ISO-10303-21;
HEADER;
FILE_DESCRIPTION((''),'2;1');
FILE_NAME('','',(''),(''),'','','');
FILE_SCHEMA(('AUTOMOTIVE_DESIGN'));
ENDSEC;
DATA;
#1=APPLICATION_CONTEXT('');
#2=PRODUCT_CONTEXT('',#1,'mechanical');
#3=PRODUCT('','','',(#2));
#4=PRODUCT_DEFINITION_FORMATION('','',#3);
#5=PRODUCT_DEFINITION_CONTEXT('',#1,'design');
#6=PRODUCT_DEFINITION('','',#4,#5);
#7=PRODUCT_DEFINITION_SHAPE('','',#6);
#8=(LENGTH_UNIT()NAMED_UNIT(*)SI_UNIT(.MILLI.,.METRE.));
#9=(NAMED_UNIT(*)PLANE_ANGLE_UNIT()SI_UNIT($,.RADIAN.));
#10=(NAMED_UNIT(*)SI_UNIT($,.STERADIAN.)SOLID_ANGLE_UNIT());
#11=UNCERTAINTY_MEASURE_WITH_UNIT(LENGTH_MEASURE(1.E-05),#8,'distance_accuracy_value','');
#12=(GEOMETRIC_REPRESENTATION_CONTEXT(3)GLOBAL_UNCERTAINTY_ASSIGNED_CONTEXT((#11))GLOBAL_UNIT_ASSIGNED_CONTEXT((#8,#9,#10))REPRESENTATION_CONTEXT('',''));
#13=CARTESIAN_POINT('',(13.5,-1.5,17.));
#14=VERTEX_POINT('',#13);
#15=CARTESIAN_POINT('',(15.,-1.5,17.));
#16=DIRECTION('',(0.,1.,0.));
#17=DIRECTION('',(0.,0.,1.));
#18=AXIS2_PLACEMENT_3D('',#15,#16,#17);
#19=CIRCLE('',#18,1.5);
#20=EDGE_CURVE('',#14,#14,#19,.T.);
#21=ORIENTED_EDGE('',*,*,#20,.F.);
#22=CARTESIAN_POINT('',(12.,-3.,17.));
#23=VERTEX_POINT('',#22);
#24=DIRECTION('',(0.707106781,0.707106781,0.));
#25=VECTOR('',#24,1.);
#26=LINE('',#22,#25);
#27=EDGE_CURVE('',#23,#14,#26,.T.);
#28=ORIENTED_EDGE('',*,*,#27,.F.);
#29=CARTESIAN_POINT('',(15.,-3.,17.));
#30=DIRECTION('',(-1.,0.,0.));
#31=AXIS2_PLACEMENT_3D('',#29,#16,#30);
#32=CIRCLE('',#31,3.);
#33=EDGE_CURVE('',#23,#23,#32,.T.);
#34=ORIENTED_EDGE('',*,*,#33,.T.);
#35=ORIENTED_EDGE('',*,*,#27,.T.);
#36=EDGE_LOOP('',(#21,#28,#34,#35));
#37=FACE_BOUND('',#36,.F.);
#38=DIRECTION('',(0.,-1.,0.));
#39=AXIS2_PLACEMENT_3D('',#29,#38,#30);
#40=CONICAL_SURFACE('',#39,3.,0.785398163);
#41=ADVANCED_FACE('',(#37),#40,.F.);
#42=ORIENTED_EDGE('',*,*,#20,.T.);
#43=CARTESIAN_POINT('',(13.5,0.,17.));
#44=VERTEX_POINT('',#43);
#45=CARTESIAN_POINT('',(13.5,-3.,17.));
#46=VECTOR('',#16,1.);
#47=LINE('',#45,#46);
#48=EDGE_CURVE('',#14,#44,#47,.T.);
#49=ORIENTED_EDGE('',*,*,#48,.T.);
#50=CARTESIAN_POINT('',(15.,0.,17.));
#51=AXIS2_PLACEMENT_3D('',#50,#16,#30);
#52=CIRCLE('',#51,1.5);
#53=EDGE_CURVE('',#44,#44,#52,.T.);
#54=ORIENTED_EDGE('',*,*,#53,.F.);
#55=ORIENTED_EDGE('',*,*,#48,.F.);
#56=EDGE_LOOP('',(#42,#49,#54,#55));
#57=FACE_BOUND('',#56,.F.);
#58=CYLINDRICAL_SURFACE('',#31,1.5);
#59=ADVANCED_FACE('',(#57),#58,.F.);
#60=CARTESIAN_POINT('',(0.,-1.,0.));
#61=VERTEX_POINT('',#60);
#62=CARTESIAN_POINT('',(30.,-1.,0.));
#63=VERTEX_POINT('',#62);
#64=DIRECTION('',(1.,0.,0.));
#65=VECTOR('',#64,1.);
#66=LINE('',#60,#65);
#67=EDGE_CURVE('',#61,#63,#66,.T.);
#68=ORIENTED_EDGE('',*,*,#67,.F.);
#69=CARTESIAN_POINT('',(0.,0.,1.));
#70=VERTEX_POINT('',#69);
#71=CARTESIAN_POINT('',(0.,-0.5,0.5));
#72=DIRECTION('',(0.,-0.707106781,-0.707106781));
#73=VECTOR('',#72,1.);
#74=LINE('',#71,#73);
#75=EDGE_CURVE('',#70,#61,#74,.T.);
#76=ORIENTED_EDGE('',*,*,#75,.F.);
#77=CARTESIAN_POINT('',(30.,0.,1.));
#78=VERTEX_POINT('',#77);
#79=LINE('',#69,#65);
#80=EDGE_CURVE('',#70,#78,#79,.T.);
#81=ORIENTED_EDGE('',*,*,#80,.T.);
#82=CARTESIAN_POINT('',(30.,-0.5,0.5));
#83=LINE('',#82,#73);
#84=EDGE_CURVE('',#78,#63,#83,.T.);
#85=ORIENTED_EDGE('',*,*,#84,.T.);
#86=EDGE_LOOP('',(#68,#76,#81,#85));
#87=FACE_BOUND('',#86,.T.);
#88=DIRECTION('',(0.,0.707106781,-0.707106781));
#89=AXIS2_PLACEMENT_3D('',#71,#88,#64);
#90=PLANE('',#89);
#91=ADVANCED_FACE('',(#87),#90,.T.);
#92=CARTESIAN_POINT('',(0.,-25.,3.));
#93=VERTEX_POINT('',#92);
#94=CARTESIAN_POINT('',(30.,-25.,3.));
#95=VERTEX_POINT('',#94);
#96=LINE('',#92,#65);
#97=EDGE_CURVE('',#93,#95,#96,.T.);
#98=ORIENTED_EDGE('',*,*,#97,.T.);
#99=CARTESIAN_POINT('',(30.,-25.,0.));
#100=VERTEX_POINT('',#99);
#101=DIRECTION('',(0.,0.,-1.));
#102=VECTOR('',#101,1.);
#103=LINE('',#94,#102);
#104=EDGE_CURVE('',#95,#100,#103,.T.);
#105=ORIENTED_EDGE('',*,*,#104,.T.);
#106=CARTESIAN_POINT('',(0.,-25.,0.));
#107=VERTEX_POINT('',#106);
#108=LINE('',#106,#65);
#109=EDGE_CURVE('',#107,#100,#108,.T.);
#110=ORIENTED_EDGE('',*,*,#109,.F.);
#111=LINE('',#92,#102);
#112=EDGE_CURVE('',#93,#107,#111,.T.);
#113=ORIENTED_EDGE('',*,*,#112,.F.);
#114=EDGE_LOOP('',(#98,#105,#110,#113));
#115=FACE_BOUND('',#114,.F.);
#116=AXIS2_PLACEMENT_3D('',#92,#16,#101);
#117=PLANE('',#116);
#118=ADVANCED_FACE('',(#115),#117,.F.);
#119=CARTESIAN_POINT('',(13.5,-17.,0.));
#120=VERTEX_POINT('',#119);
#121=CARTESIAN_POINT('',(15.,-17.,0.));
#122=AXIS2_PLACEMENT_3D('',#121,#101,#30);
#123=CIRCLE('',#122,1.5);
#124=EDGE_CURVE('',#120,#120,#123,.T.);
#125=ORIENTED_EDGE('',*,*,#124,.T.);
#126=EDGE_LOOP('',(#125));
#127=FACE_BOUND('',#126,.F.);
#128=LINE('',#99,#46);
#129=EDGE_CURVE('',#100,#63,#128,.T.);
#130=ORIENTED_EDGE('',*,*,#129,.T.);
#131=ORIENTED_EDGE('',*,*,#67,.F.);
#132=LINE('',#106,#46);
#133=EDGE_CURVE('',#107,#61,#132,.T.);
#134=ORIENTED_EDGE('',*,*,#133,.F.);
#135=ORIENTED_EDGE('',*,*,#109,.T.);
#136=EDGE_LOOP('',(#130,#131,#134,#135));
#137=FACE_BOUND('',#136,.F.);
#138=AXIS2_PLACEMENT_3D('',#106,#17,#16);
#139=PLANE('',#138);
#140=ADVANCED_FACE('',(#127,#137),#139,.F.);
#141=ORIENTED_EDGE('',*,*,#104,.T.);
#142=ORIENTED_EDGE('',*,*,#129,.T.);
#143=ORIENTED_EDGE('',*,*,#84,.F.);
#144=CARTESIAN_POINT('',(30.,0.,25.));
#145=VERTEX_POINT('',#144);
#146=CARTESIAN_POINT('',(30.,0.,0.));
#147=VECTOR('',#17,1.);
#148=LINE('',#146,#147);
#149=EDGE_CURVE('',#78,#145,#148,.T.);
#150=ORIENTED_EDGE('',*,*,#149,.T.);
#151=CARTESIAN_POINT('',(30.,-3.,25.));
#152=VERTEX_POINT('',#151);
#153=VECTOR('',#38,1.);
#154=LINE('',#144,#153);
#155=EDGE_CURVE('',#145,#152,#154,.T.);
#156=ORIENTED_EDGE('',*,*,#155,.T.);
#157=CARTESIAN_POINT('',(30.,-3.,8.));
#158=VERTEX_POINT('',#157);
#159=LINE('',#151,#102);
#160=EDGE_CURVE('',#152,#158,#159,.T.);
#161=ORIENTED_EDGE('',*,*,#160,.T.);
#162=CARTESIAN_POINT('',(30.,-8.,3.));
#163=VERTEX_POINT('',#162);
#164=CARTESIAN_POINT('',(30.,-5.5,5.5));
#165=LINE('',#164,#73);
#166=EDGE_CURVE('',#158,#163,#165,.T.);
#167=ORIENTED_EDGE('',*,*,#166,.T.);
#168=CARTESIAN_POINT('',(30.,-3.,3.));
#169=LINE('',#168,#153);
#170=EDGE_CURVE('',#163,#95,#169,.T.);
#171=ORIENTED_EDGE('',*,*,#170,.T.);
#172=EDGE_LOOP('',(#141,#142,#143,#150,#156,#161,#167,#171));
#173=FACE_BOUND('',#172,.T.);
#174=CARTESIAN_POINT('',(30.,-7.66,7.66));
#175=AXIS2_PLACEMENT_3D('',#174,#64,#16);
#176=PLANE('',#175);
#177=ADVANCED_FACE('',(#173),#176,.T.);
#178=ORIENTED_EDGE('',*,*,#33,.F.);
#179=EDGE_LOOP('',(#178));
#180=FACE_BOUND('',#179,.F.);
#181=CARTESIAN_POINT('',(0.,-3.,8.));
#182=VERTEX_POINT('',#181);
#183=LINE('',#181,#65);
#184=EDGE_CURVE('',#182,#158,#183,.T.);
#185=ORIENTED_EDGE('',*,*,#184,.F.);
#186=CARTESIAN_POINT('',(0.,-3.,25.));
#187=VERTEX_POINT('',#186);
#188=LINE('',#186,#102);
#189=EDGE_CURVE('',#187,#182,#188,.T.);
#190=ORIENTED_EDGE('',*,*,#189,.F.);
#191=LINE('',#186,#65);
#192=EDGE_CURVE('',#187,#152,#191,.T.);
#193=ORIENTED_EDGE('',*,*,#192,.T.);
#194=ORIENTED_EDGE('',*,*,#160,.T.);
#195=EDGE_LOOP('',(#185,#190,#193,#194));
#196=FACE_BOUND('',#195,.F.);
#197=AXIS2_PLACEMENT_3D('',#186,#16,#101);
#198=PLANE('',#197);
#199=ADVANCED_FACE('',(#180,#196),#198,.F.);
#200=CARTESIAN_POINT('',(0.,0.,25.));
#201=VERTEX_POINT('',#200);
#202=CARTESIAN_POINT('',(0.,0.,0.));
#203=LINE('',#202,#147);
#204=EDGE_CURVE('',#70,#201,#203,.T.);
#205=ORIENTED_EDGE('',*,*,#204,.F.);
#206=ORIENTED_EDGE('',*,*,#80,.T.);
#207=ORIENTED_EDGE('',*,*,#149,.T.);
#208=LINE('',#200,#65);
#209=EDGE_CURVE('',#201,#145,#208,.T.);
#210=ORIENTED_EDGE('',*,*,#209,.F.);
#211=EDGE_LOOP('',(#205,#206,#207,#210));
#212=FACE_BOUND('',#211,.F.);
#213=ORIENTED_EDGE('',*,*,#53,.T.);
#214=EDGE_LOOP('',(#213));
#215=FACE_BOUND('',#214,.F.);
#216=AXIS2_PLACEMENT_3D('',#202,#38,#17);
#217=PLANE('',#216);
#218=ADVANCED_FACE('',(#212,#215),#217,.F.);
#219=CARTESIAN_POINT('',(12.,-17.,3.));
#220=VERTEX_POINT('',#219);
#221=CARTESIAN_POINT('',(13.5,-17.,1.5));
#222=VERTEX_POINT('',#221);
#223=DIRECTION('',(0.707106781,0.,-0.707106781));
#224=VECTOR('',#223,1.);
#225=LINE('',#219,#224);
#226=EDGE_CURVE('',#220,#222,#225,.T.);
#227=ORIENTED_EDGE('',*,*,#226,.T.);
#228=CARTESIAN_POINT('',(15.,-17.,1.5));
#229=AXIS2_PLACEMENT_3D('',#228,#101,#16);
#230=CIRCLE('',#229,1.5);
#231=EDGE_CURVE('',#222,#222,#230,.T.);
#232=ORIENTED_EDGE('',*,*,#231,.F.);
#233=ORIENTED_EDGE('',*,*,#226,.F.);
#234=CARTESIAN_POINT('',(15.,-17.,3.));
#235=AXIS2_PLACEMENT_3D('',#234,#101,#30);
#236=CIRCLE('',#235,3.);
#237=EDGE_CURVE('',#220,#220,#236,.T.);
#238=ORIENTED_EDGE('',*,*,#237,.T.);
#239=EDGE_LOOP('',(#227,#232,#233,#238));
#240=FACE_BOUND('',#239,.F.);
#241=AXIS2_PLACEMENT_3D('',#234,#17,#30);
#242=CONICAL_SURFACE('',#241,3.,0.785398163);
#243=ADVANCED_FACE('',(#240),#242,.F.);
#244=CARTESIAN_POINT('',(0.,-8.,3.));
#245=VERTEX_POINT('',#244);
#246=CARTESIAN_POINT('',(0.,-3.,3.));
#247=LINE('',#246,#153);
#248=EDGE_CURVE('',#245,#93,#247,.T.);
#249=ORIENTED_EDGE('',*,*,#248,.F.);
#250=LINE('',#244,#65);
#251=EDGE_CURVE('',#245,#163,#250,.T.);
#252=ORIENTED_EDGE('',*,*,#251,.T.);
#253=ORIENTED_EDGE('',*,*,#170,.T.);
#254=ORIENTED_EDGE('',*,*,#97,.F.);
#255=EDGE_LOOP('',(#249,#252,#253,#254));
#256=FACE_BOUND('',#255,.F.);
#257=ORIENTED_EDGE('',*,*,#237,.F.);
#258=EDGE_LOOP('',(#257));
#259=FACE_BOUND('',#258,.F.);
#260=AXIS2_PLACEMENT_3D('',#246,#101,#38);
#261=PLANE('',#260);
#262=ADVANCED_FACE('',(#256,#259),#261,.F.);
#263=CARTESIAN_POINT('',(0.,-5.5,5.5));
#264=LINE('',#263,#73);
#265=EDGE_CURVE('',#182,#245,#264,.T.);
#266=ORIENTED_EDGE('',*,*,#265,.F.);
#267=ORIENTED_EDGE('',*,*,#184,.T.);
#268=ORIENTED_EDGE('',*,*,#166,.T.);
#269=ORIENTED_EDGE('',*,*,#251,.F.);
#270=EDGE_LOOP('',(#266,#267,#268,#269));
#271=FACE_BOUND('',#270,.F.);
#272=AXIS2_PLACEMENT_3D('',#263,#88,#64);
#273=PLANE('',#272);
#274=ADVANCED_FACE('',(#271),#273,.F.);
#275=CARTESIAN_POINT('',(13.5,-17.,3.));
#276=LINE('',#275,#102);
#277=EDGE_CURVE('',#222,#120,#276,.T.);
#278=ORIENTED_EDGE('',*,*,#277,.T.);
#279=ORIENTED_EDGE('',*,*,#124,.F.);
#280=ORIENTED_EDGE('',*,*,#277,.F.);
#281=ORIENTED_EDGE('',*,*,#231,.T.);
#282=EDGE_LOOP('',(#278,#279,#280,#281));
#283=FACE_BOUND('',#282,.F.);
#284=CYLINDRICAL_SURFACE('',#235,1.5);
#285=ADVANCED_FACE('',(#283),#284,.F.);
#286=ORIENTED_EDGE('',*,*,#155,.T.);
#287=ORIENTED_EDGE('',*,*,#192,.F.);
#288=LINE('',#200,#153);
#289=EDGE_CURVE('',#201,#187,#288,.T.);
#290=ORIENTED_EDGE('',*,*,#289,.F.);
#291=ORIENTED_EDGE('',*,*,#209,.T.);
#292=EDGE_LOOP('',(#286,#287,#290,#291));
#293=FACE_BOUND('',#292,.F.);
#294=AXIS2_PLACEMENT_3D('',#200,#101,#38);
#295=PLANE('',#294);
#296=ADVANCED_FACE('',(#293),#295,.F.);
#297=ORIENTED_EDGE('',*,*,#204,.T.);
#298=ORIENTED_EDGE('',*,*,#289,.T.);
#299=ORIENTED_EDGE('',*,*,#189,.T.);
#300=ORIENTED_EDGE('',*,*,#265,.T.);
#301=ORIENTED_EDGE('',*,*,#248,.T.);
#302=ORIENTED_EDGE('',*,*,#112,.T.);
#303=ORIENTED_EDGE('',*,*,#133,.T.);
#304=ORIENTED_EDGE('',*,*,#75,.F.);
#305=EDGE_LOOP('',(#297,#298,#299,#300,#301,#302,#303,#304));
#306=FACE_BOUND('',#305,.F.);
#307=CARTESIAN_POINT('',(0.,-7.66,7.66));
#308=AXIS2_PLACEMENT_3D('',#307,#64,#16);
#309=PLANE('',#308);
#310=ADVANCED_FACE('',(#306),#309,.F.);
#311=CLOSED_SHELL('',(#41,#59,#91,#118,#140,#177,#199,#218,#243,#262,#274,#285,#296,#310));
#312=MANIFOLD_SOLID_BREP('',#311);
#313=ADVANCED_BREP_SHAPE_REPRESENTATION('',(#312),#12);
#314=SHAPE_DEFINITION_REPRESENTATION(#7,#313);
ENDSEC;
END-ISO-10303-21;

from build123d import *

# Parameters (mm, degrees)
F1_DEPTH       = 30
F2_SIZE        = 5
F3_SIZE        = 1
F5_D           = 3
F5_CSINK_D     = 6
F5_CSINK_ANGLE = 90
F7_D           = 3
F7_CSINK_D     = 6
F7_CSINK_ANGLE = 90


with BuildPart() as f1:
    # F0 (on Right) → F1 (new body)
    with BuildSketch(Plane.YZ):
        Polygon((-25, 0), (0, 0), (0, 25), (-3, 25), (-3, 3), (-25, 3), align=None)
    extrude(amount=F1_DEPTH)

    # F2
    f2_edges = [f1.edges().sort_by_distance(p)[0] for p in [
        (15, -3, 3),
    ]]
    chamfer(f2_edges, length=F2_SIZE)

    # F3
    f3_edges = [f1.edges().sort_by_distance(p)[0] for p in [
        (15, 0, 0),
    ]]
    chamfer(f3_edges, length=F3_SIZE)

    # F5 (through all)
    with Locations(Plane.XZ.offset(3)):
        with Locations((15, 17)):
            CounterSinkHole(F5_D / 2, F5_CSINK_D / 2, counter_sink_angle=F5_CSINK_ANGLE)

    # F7 (through all)
    with Locations(Plane.XY.offset(3)):
        with Locations((15, -17)):
            CounterSinkHole(F7_D / 2, F7_CSINK_D / 2, counter_sink_angle=F7_CSINK_ANGLE)


solid = f1.part
